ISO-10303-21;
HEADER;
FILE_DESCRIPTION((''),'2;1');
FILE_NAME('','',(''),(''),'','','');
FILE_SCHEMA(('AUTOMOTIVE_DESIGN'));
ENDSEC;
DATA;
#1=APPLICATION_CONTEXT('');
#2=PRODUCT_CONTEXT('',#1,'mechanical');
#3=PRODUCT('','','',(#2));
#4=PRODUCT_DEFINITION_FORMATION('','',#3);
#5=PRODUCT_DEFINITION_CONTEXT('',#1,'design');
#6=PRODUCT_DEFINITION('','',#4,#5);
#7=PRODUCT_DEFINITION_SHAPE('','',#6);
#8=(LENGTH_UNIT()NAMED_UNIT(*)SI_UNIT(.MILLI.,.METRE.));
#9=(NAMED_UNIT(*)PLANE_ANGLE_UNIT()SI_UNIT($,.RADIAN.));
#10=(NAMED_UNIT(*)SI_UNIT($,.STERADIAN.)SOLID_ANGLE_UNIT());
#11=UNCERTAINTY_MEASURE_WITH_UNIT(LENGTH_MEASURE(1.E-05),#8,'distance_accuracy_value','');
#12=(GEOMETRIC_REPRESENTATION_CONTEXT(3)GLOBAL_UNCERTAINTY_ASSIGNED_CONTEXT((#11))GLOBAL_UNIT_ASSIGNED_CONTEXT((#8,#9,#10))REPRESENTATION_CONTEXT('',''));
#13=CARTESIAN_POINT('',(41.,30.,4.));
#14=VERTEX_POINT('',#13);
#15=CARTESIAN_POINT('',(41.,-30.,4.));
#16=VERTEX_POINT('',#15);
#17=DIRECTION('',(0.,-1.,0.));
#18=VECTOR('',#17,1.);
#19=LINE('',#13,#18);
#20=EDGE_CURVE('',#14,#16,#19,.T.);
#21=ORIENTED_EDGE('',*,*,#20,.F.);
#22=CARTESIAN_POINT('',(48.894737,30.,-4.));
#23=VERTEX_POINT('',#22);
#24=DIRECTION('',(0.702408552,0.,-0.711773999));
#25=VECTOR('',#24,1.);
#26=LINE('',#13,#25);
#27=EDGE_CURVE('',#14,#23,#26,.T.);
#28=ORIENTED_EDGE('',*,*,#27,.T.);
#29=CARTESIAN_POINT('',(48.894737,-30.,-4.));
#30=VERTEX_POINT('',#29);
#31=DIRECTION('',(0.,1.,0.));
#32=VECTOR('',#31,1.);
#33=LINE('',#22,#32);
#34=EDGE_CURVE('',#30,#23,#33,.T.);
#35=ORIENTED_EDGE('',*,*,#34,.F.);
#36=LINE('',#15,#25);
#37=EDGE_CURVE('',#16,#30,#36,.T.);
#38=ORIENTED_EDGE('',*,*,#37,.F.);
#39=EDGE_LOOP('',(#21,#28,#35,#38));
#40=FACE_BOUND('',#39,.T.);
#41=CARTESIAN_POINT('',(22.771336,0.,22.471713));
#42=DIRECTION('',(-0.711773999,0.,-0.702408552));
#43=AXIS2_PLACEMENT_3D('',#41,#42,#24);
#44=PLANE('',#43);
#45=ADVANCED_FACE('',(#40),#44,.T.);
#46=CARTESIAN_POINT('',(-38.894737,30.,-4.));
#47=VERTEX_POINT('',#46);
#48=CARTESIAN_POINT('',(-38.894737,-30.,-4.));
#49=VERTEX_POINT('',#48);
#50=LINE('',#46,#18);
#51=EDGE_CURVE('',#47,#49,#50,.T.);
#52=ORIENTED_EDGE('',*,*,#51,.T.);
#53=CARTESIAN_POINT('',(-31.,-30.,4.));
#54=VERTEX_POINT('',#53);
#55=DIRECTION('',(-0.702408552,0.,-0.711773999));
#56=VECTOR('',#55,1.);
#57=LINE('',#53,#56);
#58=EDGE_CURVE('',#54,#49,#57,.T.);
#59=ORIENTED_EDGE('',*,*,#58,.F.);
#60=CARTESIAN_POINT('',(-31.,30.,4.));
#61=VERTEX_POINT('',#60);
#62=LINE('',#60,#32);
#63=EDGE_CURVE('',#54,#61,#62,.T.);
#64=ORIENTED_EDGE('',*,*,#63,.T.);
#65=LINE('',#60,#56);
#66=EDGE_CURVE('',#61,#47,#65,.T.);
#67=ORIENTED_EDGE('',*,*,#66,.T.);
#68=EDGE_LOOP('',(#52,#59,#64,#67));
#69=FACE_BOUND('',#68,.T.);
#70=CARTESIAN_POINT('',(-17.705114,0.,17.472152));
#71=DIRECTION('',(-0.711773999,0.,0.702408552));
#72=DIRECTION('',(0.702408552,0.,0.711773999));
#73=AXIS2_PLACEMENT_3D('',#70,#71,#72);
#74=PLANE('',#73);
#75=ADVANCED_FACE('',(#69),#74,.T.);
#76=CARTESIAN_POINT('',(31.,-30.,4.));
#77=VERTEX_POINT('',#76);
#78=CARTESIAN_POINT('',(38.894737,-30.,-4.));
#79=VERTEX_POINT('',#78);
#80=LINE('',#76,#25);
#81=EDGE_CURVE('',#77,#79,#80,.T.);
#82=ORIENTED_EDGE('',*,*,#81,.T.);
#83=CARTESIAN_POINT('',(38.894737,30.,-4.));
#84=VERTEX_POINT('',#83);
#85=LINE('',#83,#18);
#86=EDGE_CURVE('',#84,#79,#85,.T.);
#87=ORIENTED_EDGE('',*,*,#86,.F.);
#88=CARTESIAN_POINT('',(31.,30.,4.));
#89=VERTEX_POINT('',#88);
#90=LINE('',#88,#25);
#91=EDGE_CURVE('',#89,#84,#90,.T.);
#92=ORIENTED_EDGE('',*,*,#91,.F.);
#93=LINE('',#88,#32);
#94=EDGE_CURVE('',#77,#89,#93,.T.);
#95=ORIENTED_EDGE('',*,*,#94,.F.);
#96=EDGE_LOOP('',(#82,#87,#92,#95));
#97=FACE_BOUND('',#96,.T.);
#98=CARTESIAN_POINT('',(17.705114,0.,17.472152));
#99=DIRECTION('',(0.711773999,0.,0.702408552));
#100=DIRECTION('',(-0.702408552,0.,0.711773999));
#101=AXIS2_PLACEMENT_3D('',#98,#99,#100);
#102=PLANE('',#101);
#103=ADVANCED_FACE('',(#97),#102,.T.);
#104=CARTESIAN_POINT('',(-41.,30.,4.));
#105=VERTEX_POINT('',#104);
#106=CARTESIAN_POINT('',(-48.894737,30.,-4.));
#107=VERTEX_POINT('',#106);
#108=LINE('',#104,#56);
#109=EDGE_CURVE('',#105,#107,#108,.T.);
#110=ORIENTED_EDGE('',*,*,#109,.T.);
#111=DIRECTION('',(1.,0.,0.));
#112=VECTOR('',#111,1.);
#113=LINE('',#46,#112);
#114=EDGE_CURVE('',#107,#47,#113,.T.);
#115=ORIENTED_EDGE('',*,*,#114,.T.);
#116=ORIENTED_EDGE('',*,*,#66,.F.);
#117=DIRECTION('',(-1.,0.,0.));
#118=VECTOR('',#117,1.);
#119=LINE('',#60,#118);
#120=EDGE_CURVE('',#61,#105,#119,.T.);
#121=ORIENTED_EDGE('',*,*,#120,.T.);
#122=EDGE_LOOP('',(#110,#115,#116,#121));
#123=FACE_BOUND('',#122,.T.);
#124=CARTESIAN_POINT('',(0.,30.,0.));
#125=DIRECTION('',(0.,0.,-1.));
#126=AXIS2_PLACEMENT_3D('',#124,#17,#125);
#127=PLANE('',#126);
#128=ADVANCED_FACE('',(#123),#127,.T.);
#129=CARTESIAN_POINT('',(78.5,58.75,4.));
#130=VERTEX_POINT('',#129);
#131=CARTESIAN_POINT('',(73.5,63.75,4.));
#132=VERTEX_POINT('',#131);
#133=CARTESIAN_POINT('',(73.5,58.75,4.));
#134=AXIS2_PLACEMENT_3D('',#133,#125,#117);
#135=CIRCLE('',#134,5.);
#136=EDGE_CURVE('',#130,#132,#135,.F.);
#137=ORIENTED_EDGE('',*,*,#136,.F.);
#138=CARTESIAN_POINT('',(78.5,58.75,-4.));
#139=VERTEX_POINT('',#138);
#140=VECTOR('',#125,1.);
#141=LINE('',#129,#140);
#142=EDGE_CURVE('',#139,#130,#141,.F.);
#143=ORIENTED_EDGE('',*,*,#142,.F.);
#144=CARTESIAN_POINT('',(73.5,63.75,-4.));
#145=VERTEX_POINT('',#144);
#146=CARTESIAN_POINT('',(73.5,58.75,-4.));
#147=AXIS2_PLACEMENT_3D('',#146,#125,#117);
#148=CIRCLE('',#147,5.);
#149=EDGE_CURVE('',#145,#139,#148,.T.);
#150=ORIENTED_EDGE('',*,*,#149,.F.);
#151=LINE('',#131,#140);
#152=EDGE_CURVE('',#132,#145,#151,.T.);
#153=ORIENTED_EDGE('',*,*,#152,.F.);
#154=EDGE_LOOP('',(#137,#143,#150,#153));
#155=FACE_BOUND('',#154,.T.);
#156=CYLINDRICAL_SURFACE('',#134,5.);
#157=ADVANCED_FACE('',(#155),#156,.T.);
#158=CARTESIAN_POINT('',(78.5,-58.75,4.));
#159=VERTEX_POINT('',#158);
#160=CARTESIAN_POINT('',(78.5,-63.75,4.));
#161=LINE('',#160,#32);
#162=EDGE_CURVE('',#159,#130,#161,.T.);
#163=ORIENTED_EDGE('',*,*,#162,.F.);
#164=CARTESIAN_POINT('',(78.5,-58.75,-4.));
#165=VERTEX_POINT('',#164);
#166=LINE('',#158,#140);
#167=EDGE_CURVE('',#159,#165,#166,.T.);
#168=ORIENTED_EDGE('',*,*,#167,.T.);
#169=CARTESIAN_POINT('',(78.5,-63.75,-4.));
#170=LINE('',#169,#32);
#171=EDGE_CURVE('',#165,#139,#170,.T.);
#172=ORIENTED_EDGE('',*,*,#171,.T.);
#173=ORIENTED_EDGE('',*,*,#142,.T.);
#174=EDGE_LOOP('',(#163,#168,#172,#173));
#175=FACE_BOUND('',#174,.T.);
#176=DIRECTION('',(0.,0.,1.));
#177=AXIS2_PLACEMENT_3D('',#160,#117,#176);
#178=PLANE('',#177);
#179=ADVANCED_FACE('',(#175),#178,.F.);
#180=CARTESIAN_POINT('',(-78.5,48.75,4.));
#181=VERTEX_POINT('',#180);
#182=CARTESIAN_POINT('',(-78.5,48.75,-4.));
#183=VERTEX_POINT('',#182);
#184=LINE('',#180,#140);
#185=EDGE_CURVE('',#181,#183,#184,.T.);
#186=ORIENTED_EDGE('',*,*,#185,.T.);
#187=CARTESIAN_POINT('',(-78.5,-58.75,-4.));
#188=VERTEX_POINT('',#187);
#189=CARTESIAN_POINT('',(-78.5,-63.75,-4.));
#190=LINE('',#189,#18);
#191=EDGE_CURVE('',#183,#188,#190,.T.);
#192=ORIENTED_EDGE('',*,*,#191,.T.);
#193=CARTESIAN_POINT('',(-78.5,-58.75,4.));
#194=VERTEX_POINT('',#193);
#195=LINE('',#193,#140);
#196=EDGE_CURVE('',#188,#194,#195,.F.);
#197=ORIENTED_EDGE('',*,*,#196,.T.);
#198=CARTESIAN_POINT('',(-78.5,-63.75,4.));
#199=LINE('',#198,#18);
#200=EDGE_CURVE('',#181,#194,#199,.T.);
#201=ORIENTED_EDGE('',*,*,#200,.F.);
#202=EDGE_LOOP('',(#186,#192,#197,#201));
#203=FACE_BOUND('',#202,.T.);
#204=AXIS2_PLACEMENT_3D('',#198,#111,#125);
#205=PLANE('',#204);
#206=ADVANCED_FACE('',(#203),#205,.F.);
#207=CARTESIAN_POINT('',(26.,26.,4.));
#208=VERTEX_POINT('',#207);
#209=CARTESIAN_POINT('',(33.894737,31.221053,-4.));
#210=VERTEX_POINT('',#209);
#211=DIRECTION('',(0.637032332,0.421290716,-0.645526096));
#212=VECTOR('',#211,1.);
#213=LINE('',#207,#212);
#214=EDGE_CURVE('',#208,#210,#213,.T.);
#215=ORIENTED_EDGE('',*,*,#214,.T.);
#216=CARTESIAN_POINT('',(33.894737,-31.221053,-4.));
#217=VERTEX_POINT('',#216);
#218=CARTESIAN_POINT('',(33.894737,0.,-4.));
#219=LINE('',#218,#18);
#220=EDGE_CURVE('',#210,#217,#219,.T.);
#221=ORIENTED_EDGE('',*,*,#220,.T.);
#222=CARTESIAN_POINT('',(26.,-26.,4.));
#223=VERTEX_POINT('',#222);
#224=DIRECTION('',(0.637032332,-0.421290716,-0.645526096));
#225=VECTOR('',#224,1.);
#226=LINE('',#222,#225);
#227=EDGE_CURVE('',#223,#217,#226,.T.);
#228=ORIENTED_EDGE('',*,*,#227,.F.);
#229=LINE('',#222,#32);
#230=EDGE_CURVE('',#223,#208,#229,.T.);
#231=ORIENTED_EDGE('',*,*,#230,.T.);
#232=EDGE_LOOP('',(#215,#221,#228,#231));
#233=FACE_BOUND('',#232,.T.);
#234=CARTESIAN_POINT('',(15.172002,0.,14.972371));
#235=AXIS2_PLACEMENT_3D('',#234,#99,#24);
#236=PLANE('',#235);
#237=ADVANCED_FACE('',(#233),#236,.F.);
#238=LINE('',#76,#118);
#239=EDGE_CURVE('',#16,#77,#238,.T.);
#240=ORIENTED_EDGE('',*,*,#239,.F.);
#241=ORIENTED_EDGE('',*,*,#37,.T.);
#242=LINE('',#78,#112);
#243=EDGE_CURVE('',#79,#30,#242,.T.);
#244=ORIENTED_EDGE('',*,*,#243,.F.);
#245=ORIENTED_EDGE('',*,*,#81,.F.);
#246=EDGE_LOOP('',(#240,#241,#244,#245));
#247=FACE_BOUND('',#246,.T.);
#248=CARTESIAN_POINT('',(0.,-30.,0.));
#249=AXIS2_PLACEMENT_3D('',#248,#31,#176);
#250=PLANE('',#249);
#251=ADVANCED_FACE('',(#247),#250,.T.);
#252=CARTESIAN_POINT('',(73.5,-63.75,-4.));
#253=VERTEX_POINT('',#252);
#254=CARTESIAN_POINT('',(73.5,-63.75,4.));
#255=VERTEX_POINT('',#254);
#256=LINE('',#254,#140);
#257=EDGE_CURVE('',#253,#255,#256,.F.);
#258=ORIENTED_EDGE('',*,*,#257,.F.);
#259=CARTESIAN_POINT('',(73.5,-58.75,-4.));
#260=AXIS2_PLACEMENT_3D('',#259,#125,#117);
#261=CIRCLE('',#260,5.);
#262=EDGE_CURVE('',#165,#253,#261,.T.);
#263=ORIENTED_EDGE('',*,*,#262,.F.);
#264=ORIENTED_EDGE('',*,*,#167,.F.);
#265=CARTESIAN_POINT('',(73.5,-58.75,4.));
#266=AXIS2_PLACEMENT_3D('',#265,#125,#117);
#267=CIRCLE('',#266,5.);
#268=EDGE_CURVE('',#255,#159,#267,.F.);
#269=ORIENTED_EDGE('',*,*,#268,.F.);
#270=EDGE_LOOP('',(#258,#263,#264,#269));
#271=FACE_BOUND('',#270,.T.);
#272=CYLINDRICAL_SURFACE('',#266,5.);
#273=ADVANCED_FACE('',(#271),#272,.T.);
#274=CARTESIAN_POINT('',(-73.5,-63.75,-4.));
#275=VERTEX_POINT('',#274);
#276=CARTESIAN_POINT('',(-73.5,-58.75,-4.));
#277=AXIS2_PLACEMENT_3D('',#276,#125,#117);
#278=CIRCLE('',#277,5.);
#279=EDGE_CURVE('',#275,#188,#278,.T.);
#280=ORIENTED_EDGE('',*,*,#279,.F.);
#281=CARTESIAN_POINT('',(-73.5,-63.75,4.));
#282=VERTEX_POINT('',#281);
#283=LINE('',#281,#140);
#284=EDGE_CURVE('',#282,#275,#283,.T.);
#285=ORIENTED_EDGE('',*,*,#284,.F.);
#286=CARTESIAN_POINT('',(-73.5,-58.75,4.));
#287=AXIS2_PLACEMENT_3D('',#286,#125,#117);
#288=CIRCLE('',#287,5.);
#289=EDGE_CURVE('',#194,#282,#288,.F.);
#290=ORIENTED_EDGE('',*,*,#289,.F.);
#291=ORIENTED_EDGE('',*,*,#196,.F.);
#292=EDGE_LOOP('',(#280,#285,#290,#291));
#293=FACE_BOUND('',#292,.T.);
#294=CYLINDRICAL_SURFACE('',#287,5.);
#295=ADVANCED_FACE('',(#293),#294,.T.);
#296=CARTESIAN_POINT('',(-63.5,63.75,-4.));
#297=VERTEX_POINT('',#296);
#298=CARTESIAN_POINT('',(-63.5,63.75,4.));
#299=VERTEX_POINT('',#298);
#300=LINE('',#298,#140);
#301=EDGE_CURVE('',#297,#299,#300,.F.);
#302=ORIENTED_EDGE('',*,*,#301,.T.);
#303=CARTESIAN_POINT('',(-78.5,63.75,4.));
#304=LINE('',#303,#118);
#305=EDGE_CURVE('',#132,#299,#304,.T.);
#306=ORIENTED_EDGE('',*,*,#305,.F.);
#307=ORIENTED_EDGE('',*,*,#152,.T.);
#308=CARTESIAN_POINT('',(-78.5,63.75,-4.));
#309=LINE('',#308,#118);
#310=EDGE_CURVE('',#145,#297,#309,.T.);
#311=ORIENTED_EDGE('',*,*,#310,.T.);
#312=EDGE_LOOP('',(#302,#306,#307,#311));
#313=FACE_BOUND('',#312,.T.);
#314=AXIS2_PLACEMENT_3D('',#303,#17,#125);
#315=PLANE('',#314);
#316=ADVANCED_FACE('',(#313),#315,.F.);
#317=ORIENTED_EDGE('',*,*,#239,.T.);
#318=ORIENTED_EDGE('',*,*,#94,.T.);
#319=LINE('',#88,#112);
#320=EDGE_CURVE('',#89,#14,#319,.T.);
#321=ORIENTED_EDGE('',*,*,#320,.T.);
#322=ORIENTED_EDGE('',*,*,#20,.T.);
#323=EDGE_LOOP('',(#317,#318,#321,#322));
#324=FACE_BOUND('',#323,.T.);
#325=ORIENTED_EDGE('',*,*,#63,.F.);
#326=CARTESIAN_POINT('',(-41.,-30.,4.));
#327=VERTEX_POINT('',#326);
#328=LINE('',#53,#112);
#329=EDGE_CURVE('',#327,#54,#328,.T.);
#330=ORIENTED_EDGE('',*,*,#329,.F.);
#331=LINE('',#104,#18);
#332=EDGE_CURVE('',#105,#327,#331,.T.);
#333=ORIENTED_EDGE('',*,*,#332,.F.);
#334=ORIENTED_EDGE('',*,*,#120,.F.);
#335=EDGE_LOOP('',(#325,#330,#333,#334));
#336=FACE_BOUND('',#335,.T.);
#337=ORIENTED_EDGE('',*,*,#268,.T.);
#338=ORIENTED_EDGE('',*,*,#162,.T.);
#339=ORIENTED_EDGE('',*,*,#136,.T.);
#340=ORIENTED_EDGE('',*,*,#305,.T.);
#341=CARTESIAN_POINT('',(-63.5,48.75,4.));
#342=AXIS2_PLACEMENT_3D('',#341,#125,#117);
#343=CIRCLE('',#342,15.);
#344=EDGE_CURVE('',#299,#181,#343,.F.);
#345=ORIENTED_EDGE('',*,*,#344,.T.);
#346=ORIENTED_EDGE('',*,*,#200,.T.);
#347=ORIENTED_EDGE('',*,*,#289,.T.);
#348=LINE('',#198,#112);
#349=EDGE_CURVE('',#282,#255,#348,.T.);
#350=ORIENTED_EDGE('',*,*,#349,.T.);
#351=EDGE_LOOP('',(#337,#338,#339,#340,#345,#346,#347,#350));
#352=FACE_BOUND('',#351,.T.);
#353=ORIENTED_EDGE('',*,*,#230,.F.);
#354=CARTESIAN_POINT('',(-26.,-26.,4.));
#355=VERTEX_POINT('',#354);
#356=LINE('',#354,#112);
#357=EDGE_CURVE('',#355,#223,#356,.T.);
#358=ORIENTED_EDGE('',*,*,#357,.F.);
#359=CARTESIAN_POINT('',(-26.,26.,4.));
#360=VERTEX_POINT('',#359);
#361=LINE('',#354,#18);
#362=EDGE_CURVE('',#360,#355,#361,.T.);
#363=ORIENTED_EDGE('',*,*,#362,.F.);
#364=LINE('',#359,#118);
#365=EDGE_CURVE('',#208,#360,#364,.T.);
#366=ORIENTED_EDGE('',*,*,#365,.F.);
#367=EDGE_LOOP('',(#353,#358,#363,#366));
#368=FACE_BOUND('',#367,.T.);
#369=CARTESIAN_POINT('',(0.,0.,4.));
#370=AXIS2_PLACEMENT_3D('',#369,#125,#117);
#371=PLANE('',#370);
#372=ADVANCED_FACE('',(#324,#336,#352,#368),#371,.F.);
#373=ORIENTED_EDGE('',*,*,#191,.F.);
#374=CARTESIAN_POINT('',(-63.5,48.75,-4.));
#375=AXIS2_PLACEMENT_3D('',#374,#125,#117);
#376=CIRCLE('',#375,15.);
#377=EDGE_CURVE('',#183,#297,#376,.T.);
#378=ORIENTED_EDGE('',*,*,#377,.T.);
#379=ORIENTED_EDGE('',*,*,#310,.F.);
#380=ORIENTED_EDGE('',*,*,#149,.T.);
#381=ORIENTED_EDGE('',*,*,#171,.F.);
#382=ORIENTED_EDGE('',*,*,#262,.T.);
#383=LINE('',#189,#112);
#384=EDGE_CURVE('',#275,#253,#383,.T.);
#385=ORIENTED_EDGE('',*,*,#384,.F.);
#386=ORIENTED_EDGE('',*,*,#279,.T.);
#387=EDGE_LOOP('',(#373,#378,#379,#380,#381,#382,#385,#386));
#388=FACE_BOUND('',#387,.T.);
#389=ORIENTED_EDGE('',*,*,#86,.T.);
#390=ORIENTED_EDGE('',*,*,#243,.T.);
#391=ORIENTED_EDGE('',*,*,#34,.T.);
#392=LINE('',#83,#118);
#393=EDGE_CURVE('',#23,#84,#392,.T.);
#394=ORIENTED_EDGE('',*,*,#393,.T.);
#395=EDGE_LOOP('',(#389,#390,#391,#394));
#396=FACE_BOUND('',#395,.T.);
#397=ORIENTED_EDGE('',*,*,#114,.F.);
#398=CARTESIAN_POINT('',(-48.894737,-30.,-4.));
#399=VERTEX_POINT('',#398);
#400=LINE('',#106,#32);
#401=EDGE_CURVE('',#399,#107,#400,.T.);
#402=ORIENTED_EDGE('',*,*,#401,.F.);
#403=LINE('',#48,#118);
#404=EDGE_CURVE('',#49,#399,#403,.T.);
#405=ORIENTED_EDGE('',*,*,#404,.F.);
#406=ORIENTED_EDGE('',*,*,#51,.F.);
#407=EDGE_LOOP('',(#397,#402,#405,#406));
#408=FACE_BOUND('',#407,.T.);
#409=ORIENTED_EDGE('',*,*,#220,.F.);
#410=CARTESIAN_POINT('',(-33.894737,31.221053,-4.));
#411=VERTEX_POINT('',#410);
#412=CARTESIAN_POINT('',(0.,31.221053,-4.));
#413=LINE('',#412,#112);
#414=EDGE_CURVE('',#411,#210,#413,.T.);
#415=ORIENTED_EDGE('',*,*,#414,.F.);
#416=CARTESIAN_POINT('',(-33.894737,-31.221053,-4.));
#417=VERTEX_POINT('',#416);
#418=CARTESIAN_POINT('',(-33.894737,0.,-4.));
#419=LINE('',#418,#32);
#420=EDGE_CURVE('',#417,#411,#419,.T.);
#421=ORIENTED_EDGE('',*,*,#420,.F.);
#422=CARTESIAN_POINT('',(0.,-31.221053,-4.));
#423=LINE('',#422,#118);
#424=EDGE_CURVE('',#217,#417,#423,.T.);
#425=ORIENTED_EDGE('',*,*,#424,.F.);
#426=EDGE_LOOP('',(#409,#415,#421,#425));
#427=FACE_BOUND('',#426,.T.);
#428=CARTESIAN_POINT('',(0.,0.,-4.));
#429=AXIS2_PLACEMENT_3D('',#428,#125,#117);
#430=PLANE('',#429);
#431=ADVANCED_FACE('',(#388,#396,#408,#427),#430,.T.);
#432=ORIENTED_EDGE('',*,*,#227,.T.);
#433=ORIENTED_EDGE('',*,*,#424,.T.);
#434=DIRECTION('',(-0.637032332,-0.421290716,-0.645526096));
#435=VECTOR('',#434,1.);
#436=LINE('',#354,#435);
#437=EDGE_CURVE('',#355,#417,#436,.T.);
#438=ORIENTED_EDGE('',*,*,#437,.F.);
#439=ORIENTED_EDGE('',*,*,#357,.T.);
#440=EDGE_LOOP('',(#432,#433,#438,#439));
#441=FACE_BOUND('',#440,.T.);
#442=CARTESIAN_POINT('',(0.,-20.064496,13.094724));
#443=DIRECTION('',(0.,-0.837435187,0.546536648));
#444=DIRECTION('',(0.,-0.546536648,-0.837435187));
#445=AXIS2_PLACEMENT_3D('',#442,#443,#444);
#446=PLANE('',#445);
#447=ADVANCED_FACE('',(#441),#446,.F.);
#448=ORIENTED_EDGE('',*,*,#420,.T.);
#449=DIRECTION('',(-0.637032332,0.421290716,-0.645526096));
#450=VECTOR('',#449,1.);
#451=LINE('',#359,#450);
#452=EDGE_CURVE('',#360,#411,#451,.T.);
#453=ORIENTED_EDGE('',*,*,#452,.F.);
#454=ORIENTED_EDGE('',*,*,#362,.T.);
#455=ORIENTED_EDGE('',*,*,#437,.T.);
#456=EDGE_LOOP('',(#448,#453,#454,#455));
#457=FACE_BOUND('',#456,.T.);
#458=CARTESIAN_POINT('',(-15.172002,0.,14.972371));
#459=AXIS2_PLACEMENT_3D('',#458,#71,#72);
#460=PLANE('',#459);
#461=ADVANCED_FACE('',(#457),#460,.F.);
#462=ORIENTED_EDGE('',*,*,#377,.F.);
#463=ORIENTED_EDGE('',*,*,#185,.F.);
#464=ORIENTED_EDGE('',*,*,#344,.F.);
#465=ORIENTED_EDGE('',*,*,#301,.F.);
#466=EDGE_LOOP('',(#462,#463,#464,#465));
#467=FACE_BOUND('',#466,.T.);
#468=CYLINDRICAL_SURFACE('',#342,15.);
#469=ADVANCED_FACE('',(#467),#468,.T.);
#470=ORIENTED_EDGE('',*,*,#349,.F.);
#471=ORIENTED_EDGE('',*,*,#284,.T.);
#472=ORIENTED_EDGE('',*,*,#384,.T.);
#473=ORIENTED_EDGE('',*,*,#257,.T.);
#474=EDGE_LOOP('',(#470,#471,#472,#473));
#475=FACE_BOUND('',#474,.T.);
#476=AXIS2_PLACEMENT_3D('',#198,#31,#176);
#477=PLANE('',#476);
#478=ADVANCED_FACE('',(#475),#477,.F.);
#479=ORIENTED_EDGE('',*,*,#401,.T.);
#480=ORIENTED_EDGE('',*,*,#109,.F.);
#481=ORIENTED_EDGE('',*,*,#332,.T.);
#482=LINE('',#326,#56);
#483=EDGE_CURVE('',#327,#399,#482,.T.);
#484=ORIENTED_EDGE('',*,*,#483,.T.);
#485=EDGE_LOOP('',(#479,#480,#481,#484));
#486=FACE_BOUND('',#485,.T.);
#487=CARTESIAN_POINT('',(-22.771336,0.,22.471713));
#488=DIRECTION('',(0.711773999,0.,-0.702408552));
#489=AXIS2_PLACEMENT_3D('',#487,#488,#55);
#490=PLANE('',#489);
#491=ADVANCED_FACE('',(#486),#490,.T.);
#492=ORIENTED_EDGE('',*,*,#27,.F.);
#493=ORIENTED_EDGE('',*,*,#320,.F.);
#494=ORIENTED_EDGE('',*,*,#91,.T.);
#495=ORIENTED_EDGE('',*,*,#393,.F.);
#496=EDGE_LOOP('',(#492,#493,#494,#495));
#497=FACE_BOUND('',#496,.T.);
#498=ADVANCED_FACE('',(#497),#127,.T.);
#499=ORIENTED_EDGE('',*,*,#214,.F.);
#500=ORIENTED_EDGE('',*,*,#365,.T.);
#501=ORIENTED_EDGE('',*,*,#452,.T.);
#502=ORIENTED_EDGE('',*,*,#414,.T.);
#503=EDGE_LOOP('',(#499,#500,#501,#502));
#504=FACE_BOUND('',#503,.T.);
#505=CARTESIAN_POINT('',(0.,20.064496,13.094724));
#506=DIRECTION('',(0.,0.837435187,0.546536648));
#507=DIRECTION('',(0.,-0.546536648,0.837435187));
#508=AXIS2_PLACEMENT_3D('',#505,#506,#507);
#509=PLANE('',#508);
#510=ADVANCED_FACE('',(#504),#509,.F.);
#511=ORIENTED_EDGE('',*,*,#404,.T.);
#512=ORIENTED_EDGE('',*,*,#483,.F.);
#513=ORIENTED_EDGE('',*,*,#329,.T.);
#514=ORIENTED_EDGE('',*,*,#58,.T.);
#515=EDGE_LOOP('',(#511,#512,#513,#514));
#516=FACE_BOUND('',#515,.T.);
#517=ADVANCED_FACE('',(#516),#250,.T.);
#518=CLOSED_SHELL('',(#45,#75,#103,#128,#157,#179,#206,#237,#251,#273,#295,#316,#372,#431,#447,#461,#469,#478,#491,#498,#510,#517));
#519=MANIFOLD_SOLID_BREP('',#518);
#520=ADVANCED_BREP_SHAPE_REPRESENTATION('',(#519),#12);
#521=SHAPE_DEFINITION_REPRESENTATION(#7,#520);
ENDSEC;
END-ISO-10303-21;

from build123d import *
from OCP.BRepFilletAPI import BRepFilletAPI_MakeFillet

# Parameters (mm, degrees)
SKETCH1_W           = 157
SKETCH1_H           = 127.5
BOSS_EXTRUDE1_DEPTH = 4
FILLET1_R1          = 15
FILLET1_R2          = 5


with BuildPart() as part:
    # Sketch1 → Boss-Extrude1 (new, symmetric)
    with BuildSketch(Plane.XY):
        Rectangle(SKETCH1_W, SKETCH1_H)
    extrude(amount=BOSS_EXTRUDE1_DEPTH, both=True)

    # Sketch2 → Cut-Loft1 section 0
    with BuildSketch(Plane.XY.offset(4)):
        with BuildLine():
            Line((-26, -26), (26, -26))
            Line((26, -26), (26, 26))
            Line((26, 26), (-26, 26))
            Line((-26, 26), (-26, -26))
        make_face()
    # Sketch4 → Cut-Loft1 section 1
    with BuildSketch(Plane.XY.offset(-34)):
        with BuildLine():
            Line((63.5, -50.8), (-63.5, -50.8))
            Line((-63.5, -50.8), (-63.5, 50.8))
            Line((-63.5, 50.8), (63.5, 50.8))
            Line((63.5, 50.8), (63.5, -50.8))
        make_face()
    loft(mode=Mode.SUBTRACT)

    # Sketch5 → Cut-Loft2 section 0
    with BuildSketch(Plane.XY.offset(4)):
        with BuildLine():
            Line((-31, 30), (-41, 30))
            Line((-41, 30), (-41, -30))
            Line((-41, -30), (-31, -30))
            Line((-31, -30), (-31, 30))
        make_face()
    # Sketch6 → Cut-Loft2 section 1
    with BuildSketch(Plane(origin=(0, 0, -4), x_dir=(-1, 0, 0), z_dir=(0, 0, -1))):
        with BuildLine():
            Line((38.894736842, 30), (48.894736842, 30))
            Line((48.894736842, 30), (48.894736842, -30))
            Line((48.894736842, -30), (38.894736842, -30))
            Line((38.894736842, -30), (38.894736842, 30))
        make_face()
    cut_loft2 = loft(mode=Mode.SUBTRACT)

    # Mirror1: Cut-Loft2 across plane
    add(cut_loft2.mirror(Plane(origin=(0, 0, 0), x_dir=(0, 0, 1), z_dir=(1, 0, 0))), mode=Mode.SUBTRACT)

    # Fillet1: one fillet with a radius per group of edges: ONE call of the kernel's fillet builder (fillet() takes one radius for all edges)
    fillet1_edges_1 = [part.edges().sort_by_distance(p)[0] for p in [
        (-78.5, 63.75, 0),
    ]]
    fillet1_edges_2 = [part.edges().sort_by_distance(p)[0] for p in [
        (78.5, 63.75, 0),
        (78.5, -63.75, 0),
        (-78.5, -63.75, 0),
    ]]
    fillet1 = BRepFilletAPI_MakeFillet(part.part.solid().wrapped)
    for e in fillet1_edges_1:
        fillet1.Add(FILLET1_R1, e.wrapped)
    for e in fillet1_edges_2:
        fillet1.Add(FILLET1_R2, e.wrapped)
    add(Compound.cast(fillet1.Shape()), mode=Mode.REPLACE)


solid = part.part
